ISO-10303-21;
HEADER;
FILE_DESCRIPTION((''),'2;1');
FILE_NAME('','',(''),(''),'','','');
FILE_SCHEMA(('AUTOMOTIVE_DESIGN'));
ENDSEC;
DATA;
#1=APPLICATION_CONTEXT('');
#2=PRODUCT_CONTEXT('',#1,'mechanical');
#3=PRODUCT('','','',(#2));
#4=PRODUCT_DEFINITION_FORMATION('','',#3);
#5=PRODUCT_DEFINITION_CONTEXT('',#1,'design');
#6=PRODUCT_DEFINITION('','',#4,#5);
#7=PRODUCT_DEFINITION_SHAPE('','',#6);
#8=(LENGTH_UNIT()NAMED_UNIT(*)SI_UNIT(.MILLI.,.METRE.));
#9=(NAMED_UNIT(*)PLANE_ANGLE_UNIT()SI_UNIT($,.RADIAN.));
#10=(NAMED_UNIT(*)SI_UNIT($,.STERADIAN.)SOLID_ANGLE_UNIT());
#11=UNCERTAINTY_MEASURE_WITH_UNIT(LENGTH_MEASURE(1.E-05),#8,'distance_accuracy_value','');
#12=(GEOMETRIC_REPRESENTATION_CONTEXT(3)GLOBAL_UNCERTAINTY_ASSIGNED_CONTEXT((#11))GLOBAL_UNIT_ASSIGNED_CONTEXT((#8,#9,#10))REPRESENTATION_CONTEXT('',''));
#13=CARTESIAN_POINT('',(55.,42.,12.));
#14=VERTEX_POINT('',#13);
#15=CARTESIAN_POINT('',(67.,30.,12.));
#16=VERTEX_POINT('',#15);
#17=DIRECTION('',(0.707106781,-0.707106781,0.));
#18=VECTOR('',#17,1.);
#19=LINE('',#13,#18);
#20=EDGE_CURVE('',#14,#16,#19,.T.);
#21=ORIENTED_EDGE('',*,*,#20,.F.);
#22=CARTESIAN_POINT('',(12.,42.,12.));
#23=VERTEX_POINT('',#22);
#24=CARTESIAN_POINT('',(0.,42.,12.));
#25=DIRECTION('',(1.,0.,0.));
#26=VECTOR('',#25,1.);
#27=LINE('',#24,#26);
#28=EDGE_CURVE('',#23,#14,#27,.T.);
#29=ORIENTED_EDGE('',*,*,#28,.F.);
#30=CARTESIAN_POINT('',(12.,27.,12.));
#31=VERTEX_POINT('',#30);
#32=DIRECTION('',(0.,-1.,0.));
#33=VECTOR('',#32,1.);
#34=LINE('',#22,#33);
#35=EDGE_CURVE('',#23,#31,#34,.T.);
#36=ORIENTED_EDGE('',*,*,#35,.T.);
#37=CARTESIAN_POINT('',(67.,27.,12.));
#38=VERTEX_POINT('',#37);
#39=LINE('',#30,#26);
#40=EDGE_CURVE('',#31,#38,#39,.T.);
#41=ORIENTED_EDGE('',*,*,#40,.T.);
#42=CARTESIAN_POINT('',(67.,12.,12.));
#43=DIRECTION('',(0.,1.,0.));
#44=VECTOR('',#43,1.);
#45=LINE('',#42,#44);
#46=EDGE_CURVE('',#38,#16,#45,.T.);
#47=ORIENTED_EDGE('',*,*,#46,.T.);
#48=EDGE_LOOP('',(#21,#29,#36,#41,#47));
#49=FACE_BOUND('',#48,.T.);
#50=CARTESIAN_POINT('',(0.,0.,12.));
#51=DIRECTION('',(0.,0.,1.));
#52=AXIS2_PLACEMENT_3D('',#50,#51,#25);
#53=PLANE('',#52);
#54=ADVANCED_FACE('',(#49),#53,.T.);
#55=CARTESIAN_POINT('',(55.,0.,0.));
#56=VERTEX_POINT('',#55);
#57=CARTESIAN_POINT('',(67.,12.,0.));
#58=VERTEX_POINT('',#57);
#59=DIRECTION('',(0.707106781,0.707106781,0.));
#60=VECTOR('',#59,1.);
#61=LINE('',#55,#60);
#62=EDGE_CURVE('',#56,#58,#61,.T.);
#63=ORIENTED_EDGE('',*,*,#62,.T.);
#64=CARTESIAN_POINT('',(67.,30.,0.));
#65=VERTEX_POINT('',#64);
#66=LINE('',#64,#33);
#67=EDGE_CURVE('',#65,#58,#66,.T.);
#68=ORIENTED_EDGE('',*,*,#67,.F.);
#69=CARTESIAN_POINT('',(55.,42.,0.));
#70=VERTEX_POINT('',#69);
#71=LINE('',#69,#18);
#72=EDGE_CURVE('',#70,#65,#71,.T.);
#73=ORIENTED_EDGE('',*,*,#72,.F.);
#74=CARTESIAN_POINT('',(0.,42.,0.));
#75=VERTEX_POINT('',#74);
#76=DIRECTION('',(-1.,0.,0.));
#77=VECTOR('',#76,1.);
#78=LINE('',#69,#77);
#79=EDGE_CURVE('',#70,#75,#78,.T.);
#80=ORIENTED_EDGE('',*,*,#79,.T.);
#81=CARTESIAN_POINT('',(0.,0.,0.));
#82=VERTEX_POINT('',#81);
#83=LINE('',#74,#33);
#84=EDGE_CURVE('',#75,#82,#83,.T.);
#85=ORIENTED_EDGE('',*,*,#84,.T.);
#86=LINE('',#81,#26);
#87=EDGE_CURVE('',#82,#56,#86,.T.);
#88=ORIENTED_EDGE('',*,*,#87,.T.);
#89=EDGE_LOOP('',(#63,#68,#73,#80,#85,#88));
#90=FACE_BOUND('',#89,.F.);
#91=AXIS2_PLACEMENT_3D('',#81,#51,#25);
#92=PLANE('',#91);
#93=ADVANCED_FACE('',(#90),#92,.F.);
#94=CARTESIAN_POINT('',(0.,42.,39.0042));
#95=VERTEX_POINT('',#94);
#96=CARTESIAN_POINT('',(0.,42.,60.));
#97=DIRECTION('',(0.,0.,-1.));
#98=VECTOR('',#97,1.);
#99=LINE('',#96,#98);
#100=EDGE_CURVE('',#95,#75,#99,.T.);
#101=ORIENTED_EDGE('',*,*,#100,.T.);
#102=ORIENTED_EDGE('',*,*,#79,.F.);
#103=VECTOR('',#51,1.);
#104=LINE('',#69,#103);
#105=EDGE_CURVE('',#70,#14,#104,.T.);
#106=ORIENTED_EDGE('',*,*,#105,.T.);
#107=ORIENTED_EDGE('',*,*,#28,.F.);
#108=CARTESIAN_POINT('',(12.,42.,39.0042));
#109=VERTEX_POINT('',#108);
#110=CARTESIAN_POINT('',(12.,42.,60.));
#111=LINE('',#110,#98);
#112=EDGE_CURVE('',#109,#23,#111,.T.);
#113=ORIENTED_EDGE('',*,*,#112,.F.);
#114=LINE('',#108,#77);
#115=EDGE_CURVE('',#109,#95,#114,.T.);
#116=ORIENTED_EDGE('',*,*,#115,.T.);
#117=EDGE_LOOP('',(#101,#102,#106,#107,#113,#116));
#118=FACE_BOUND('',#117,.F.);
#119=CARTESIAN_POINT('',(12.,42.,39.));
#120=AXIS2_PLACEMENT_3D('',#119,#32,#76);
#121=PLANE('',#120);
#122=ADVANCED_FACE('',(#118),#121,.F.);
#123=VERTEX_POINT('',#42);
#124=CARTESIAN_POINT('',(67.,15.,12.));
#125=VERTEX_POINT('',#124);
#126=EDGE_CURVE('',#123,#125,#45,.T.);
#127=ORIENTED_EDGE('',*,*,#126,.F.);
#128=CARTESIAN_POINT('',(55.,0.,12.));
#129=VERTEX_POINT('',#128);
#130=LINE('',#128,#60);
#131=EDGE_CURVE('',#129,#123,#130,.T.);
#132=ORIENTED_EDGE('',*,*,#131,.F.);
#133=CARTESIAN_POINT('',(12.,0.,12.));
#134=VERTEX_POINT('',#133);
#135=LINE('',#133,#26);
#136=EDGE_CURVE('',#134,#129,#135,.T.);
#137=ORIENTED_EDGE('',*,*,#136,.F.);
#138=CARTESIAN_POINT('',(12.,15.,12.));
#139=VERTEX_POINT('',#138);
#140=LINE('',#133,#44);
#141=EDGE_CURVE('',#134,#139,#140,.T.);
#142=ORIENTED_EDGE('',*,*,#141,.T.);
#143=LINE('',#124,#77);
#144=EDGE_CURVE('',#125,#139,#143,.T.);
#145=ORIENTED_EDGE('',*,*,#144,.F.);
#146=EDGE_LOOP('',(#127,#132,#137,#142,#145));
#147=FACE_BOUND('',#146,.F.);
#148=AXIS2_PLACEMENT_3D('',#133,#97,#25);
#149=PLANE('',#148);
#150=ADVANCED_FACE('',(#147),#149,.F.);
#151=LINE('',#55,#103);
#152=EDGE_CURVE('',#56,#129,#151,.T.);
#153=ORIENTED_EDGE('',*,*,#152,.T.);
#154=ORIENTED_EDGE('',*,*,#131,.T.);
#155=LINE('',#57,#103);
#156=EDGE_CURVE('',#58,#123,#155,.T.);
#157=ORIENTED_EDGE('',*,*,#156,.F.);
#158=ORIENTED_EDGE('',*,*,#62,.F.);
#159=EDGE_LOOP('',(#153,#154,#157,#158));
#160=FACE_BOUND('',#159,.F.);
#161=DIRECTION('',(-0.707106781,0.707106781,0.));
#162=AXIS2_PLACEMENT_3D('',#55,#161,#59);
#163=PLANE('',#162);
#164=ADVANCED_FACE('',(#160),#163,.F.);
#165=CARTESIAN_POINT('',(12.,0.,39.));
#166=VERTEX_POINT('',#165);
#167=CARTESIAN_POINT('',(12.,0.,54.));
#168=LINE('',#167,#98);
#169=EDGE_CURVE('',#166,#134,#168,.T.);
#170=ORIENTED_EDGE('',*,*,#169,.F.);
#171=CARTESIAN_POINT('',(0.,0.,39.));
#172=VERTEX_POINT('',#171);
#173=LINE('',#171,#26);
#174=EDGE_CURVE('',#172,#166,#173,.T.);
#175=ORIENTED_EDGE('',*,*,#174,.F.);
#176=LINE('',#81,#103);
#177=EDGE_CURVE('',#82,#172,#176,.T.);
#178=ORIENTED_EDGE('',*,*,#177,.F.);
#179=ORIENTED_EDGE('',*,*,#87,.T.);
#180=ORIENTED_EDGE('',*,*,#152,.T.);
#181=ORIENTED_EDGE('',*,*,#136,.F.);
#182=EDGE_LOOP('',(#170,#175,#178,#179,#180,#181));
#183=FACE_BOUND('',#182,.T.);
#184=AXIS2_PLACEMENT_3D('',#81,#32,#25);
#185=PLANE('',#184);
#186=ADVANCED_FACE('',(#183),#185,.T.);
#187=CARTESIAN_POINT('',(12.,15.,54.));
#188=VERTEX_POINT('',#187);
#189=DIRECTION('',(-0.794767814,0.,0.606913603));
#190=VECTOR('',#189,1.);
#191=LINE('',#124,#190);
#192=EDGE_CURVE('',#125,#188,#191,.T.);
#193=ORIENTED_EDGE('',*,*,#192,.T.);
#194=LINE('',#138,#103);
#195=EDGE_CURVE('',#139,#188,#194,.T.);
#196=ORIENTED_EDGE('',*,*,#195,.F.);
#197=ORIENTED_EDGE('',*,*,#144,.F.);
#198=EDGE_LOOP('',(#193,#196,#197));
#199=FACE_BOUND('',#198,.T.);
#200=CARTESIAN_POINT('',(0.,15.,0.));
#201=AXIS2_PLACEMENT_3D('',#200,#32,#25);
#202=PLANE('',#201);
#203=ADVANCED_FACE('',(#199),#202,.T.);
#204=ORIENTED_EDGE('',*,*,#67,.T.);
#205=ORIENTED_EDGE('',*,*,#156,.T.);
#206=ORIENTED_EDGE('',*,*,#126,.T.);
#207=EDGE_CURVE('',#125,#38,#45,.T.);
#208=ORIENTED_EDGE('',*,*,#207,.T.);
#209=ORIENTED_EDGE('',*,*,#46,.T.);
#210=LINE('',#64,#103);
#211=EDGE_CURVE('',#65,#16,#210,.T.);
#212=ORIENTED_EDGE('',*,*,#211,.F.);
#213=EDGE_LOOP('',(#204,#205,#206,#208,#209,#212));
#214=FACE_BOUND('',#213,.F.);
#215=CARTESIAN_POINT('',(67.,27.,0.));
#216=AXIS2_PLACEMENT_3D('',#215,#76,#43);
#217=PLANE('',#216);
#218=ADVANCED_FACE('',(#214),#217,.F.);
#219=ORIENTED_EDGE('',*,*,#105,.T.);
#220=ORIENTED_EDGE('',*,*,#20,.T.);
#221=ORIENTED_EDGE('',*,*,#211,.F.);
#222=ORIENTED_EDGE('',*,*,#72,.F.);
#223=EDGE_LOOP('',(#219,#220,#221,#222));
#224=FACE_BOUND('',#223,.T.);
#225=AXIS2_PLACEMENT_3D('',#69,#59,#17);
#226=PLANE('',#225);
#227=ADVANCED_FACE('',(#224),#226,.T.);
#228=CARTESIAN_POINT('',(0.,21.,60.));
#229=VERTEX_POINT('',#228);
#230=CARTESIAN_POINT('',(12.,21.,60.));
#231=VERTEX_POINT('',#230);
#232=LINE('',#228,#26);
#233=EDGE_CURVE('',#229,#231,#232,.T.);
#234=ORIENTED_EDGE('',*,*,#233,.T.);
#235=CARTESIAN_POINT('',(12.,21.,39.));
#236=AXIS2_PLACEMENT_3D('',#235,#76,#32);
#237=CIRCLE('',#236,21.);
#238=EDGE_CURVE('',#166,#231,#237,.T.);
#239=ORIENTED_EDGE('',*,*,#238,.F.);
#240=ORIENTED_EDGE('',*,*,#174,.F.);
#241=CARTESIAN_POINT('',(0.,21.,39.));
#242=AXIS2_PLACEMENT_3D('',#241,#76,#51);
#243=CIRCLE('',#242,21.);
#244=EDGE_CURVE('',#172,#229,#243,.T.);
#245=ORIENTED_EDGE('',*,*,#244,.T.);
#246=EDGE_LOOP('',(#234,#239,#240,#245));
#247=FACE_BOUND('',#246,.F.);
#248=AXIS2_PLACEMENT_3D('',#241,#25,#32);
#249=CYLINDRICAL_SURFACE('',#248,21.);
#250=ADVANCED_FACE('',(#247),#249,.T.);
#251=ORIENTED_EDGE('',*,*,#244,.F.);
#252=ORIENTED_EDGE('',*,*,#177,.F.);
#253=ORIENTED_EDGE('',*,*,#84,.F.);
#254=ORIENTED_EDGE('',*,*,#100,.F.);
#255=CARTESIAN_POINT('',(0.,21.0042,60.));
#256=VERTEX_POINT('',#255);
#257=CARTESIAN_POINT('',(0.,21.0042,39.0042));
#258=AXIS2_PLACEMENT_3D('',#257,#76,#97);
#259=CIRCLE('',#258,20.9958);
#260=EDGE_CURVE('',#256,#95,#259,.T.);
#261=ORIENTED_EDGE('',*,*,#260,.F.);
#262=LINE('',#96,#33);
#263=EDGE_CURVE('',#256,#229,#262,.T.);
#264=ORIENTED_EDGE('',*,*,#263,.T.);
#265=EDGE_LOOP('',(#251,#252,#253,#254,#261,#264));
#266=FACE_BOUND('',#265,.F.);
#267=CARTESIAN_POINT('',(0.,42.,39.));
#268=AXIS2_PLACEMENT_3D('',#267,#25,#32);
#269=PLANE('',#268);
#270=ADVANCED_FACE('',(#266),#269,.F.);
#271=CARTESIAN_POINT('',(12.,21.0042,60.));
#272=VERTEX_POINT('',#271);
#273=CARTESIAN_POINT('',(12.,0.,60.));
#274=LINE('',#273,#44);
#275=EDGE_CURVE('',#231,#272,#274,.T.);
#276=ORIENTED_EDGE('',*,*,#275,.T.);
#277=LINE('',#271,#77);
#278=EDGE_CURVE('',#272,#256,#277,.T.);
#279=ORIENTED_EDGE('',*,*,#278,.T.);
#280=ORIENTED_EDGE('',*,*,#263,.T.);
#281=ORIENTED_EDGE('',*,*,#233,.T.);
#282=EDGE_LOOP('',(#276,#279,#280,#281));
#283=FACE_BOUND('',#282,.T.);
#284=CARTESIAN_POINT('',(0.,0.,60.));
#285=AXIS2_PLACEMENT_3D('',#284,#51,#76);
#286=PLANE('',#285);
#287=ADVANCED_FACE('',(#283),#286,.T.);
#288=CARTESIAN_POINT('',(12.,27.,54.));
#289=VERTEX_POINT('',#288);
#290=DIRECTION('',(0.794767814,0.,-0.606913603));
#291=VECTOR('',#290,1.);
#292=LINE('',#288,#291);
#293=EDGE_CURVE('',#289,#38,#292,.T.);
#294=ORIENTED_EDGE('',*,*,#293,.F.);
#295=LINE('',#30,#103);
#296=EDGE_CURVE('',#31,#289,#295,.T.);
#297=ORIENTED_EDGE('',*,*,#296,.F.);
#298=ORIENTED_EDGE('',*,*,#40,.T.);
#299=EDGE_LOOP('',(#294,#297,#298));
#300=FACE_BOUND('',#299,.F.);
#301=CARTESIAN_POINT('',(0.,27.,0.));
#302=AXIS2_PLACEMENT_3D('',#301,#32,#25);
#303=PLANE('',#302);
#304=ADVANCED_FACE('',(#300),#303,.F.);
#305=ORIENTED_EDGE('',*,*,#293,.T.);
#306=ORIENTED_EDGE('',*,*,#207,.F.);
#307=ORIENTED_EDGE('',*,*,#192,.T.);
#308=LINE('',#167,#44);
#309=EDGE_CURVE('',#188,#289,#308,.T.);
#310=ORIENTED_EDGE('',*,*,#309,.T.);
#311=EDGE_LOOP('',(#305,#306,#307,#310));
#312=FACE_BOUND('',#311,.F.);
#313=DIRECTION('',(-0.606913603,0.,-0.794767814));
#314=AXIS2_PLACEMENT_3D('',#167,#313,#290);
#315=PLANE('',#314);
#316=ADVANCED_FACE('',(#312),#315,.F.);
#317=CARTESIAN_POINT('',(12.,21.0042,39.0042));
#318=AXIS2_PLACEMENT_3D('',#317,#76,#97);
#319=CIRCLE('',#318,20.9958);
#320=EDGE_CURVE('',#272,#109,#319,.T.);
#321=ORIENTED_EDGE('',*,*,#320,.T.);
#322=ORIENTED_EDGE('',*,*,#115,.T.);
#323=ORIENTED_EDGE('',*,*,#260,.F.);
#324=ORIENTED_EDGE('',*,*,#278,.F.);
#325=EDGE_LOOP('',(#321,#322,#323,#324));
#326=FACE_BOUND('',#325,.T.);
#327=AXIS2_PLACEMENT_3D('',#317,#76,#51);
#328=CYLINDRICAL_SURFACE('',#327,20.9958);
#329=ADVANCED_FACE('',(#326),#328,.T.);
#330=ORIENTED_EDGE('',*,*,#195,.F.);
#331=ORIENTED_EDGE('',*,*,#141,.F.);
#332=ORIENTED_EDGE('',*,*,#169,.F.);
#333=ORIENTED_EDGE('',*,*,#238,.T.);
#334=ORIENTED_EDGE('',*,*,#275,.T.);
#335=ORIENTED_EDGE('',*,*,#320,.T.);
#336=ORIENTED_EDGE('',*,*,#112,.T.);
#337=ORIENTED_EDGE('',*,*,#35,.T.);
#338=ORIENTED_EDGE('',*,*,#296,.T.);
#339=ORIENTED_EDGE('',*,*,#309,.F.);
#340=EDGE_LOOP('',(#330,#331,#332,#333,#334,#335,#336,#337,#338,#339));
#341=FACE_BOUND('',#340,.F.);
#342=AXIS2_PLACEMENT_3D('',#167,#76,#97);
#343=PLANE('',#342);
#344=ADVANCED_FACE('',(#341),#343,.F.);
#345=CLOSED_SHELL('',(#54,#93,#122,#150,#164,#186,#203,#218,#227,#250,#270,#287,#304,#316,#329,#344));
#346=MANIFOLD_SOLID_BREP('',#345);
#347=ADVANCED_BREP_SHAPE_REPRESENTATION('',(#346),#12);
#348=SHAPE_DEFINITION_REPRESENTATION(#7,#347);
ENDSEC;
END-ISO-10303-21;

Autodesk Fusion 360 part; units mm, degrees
sketch "Sketch1" plane through (0, 0, 0) normal (0, 0, 1) x (1, 0, 0)
  line L0 (0, 0) -> (55, 0)
  line L1 (67, 12) -> (67, 30)
  line L2 (55, 42) -> (0, 42)
  line L3 (0, 42) -> (0, 0)
  line L4 (67, 0) -> (55, 0) construction
  line L5 (55, 0) -> (55, 12) construction
  line L6 (55, 12) -> (67, 12) construction
  line L7 (67, 12) -> (67, 0) construction
  line L8 (67, 42) -> (55, 42) construction
  line L9 (55, 42) -> (55, 30) construction
  line L10 (55, 30) -> (67, 30) construction
  line L11 (67, 30) -> (67, 42) construction
  line L12 (55, 0) -> (67, 12)
  line L13 (55, 42) -> (67, 30)
  line L14 (0, 42) -> (13, 42)
  line L15 (13, 42) -> (13, 0)
  line L16 (13, 0) -> (0, 0)
  line L17 (0, 0) -> (0, 42)
  line L18 (13, 21) -> (67, 21)
  line L19 (67, 21) -> (13, 21)
  line L20 (13, 27) -> (67, 27)
  line L21 (67, 27) -> (67, 21)
  line L22 (13, 15) -> (67, 15)
extrude "Extrude1" add sketch "Sketch1" along normal blind 12
sketch "Sketch4" plane through (0, 0, 12) normal (0, 0, 1) x (-1, 0, 0)
  line L0 (-55, -42) -> (0, -42)
  line L1 (0, -42) -> (0, 0)
  line L2 (0, 0) -> (-55, 0)
  line L3 (-55, 0) -> (-67, -12)
  line L4 (-67, -12) -> (-67, -30)
  line L5 (-67, -30) -> (-55, -42)
  line L6 (0, -42) -> (-12, -42)
  line L7 (-12, -42) -> (-12, 0)
  line L8 (-12, 0) -> (0, 0)
  line L9 (0, 0) -> (0, -42)
extrude "Extrude2" add sketch "Sketch4" along normal blind 27 contours L0 L1 L2 L6 L7 L8 L9
sketch "Sketch5" plane through (0, 0, 39) normal (0, 0, 1) x (-1, 0, 0)
  line L0 (0, 0) -> (-12, 0)
  line L1 (-12, 0) -> (-12, -42)
  line L2 (-12, -42) -> (0, -42)
  line L3 (0, -42) -> (0, 0)
  line L4 (0, -42) -> (-12, -42)
  line L5 (-12, -42) -> (-12, 0)
  line L6 (-12, 0) -> (0, 0)
  line L7 (0, 0) -> (0, -42)
extrude "Extrude3" add sketch "Sketch5" along normal blind 21
fillet "Fillet1" radius 21 1 edges at (6, 0, 60)
sketch "Sketch6" plane through (0, 0, 0) normal (0, -1, 0) x (1, 0, 0)
  line L0 (12, 39) -> (0, 39)
  line L1 (0, 39) -> (0, 0)
  line L2 (0, 0) -> (55, 0)
  line L3 (55, 0) -> (55, 12)
  line L4 (55, 12) -> (12, 12)
  line L5 (12, 12) -> (12, 39)
  line L6 (0, 0) -> (0, 39)
  line L7 (0, 39) -> (12, 39)
fillet "Fillet2" radius 21 1 edges at (6, 42, 60)
sketch "Sketch7" plane through (0, 0, 12) normal (0, 0, 1) x (-1, 0, 0)
  line L0 (-12, -42) -> (-12, 0)
  line L1 (-12, 0) -> (-55, 0)
  line L2 (-55, 0) -> (-67, -12)
  line L3 (-67, -12) -> (-67, -30)
  line L4 (-67, -30) -> (-55, -42)
  line L5 (-55, -42) -> (-12, -42)
  line L6 (-25, -15) -> (-12, -15)
  line L7 (-25, -15) -> (-67, -15)
  line L8 (-67, -15) -> (-67, -27)
  line L9 (-67, -27) -> (-12, -27)
sketch "Sketch8" plane through (0, 0, 0) normal (0, -1, 0) x (1, 0, 0)
  line L0 (12, 12) -> (12, 54)
  line L1 (12, 54) -> (67, 12)
  line L2 (12, 12) -> (67, 12)
extrude "Extrude4" add sketch "Sketch8" against normal blind 27
sketch "Sketch9" plane through (0, 0, 0) normal (0, -1, 0) x (1, 0, 0)
  line L0 (12, 39) -> (0, 39)
  line L1 (0, 39) -> (0, 0)
  line L2 (0, 0) -> (55, 0)
  line L3 (55, 0) -> (55, 12)
  line L4 (55, 12) -> (67, 12)
  line L5 (67, 12) -> (12, 54)
  line L6 (12, 54) -> (12, 39)
  line L7 (12, 54) -> (12, 12)
  line L8 (12, 12) -> (67, 12)
  line L9 (12, 54) -> (67, 12)
extrude "Extrude5" cut sketch "Sketch9" against normal blind 15 contours L4 L5 L6 L7 L8 L9
